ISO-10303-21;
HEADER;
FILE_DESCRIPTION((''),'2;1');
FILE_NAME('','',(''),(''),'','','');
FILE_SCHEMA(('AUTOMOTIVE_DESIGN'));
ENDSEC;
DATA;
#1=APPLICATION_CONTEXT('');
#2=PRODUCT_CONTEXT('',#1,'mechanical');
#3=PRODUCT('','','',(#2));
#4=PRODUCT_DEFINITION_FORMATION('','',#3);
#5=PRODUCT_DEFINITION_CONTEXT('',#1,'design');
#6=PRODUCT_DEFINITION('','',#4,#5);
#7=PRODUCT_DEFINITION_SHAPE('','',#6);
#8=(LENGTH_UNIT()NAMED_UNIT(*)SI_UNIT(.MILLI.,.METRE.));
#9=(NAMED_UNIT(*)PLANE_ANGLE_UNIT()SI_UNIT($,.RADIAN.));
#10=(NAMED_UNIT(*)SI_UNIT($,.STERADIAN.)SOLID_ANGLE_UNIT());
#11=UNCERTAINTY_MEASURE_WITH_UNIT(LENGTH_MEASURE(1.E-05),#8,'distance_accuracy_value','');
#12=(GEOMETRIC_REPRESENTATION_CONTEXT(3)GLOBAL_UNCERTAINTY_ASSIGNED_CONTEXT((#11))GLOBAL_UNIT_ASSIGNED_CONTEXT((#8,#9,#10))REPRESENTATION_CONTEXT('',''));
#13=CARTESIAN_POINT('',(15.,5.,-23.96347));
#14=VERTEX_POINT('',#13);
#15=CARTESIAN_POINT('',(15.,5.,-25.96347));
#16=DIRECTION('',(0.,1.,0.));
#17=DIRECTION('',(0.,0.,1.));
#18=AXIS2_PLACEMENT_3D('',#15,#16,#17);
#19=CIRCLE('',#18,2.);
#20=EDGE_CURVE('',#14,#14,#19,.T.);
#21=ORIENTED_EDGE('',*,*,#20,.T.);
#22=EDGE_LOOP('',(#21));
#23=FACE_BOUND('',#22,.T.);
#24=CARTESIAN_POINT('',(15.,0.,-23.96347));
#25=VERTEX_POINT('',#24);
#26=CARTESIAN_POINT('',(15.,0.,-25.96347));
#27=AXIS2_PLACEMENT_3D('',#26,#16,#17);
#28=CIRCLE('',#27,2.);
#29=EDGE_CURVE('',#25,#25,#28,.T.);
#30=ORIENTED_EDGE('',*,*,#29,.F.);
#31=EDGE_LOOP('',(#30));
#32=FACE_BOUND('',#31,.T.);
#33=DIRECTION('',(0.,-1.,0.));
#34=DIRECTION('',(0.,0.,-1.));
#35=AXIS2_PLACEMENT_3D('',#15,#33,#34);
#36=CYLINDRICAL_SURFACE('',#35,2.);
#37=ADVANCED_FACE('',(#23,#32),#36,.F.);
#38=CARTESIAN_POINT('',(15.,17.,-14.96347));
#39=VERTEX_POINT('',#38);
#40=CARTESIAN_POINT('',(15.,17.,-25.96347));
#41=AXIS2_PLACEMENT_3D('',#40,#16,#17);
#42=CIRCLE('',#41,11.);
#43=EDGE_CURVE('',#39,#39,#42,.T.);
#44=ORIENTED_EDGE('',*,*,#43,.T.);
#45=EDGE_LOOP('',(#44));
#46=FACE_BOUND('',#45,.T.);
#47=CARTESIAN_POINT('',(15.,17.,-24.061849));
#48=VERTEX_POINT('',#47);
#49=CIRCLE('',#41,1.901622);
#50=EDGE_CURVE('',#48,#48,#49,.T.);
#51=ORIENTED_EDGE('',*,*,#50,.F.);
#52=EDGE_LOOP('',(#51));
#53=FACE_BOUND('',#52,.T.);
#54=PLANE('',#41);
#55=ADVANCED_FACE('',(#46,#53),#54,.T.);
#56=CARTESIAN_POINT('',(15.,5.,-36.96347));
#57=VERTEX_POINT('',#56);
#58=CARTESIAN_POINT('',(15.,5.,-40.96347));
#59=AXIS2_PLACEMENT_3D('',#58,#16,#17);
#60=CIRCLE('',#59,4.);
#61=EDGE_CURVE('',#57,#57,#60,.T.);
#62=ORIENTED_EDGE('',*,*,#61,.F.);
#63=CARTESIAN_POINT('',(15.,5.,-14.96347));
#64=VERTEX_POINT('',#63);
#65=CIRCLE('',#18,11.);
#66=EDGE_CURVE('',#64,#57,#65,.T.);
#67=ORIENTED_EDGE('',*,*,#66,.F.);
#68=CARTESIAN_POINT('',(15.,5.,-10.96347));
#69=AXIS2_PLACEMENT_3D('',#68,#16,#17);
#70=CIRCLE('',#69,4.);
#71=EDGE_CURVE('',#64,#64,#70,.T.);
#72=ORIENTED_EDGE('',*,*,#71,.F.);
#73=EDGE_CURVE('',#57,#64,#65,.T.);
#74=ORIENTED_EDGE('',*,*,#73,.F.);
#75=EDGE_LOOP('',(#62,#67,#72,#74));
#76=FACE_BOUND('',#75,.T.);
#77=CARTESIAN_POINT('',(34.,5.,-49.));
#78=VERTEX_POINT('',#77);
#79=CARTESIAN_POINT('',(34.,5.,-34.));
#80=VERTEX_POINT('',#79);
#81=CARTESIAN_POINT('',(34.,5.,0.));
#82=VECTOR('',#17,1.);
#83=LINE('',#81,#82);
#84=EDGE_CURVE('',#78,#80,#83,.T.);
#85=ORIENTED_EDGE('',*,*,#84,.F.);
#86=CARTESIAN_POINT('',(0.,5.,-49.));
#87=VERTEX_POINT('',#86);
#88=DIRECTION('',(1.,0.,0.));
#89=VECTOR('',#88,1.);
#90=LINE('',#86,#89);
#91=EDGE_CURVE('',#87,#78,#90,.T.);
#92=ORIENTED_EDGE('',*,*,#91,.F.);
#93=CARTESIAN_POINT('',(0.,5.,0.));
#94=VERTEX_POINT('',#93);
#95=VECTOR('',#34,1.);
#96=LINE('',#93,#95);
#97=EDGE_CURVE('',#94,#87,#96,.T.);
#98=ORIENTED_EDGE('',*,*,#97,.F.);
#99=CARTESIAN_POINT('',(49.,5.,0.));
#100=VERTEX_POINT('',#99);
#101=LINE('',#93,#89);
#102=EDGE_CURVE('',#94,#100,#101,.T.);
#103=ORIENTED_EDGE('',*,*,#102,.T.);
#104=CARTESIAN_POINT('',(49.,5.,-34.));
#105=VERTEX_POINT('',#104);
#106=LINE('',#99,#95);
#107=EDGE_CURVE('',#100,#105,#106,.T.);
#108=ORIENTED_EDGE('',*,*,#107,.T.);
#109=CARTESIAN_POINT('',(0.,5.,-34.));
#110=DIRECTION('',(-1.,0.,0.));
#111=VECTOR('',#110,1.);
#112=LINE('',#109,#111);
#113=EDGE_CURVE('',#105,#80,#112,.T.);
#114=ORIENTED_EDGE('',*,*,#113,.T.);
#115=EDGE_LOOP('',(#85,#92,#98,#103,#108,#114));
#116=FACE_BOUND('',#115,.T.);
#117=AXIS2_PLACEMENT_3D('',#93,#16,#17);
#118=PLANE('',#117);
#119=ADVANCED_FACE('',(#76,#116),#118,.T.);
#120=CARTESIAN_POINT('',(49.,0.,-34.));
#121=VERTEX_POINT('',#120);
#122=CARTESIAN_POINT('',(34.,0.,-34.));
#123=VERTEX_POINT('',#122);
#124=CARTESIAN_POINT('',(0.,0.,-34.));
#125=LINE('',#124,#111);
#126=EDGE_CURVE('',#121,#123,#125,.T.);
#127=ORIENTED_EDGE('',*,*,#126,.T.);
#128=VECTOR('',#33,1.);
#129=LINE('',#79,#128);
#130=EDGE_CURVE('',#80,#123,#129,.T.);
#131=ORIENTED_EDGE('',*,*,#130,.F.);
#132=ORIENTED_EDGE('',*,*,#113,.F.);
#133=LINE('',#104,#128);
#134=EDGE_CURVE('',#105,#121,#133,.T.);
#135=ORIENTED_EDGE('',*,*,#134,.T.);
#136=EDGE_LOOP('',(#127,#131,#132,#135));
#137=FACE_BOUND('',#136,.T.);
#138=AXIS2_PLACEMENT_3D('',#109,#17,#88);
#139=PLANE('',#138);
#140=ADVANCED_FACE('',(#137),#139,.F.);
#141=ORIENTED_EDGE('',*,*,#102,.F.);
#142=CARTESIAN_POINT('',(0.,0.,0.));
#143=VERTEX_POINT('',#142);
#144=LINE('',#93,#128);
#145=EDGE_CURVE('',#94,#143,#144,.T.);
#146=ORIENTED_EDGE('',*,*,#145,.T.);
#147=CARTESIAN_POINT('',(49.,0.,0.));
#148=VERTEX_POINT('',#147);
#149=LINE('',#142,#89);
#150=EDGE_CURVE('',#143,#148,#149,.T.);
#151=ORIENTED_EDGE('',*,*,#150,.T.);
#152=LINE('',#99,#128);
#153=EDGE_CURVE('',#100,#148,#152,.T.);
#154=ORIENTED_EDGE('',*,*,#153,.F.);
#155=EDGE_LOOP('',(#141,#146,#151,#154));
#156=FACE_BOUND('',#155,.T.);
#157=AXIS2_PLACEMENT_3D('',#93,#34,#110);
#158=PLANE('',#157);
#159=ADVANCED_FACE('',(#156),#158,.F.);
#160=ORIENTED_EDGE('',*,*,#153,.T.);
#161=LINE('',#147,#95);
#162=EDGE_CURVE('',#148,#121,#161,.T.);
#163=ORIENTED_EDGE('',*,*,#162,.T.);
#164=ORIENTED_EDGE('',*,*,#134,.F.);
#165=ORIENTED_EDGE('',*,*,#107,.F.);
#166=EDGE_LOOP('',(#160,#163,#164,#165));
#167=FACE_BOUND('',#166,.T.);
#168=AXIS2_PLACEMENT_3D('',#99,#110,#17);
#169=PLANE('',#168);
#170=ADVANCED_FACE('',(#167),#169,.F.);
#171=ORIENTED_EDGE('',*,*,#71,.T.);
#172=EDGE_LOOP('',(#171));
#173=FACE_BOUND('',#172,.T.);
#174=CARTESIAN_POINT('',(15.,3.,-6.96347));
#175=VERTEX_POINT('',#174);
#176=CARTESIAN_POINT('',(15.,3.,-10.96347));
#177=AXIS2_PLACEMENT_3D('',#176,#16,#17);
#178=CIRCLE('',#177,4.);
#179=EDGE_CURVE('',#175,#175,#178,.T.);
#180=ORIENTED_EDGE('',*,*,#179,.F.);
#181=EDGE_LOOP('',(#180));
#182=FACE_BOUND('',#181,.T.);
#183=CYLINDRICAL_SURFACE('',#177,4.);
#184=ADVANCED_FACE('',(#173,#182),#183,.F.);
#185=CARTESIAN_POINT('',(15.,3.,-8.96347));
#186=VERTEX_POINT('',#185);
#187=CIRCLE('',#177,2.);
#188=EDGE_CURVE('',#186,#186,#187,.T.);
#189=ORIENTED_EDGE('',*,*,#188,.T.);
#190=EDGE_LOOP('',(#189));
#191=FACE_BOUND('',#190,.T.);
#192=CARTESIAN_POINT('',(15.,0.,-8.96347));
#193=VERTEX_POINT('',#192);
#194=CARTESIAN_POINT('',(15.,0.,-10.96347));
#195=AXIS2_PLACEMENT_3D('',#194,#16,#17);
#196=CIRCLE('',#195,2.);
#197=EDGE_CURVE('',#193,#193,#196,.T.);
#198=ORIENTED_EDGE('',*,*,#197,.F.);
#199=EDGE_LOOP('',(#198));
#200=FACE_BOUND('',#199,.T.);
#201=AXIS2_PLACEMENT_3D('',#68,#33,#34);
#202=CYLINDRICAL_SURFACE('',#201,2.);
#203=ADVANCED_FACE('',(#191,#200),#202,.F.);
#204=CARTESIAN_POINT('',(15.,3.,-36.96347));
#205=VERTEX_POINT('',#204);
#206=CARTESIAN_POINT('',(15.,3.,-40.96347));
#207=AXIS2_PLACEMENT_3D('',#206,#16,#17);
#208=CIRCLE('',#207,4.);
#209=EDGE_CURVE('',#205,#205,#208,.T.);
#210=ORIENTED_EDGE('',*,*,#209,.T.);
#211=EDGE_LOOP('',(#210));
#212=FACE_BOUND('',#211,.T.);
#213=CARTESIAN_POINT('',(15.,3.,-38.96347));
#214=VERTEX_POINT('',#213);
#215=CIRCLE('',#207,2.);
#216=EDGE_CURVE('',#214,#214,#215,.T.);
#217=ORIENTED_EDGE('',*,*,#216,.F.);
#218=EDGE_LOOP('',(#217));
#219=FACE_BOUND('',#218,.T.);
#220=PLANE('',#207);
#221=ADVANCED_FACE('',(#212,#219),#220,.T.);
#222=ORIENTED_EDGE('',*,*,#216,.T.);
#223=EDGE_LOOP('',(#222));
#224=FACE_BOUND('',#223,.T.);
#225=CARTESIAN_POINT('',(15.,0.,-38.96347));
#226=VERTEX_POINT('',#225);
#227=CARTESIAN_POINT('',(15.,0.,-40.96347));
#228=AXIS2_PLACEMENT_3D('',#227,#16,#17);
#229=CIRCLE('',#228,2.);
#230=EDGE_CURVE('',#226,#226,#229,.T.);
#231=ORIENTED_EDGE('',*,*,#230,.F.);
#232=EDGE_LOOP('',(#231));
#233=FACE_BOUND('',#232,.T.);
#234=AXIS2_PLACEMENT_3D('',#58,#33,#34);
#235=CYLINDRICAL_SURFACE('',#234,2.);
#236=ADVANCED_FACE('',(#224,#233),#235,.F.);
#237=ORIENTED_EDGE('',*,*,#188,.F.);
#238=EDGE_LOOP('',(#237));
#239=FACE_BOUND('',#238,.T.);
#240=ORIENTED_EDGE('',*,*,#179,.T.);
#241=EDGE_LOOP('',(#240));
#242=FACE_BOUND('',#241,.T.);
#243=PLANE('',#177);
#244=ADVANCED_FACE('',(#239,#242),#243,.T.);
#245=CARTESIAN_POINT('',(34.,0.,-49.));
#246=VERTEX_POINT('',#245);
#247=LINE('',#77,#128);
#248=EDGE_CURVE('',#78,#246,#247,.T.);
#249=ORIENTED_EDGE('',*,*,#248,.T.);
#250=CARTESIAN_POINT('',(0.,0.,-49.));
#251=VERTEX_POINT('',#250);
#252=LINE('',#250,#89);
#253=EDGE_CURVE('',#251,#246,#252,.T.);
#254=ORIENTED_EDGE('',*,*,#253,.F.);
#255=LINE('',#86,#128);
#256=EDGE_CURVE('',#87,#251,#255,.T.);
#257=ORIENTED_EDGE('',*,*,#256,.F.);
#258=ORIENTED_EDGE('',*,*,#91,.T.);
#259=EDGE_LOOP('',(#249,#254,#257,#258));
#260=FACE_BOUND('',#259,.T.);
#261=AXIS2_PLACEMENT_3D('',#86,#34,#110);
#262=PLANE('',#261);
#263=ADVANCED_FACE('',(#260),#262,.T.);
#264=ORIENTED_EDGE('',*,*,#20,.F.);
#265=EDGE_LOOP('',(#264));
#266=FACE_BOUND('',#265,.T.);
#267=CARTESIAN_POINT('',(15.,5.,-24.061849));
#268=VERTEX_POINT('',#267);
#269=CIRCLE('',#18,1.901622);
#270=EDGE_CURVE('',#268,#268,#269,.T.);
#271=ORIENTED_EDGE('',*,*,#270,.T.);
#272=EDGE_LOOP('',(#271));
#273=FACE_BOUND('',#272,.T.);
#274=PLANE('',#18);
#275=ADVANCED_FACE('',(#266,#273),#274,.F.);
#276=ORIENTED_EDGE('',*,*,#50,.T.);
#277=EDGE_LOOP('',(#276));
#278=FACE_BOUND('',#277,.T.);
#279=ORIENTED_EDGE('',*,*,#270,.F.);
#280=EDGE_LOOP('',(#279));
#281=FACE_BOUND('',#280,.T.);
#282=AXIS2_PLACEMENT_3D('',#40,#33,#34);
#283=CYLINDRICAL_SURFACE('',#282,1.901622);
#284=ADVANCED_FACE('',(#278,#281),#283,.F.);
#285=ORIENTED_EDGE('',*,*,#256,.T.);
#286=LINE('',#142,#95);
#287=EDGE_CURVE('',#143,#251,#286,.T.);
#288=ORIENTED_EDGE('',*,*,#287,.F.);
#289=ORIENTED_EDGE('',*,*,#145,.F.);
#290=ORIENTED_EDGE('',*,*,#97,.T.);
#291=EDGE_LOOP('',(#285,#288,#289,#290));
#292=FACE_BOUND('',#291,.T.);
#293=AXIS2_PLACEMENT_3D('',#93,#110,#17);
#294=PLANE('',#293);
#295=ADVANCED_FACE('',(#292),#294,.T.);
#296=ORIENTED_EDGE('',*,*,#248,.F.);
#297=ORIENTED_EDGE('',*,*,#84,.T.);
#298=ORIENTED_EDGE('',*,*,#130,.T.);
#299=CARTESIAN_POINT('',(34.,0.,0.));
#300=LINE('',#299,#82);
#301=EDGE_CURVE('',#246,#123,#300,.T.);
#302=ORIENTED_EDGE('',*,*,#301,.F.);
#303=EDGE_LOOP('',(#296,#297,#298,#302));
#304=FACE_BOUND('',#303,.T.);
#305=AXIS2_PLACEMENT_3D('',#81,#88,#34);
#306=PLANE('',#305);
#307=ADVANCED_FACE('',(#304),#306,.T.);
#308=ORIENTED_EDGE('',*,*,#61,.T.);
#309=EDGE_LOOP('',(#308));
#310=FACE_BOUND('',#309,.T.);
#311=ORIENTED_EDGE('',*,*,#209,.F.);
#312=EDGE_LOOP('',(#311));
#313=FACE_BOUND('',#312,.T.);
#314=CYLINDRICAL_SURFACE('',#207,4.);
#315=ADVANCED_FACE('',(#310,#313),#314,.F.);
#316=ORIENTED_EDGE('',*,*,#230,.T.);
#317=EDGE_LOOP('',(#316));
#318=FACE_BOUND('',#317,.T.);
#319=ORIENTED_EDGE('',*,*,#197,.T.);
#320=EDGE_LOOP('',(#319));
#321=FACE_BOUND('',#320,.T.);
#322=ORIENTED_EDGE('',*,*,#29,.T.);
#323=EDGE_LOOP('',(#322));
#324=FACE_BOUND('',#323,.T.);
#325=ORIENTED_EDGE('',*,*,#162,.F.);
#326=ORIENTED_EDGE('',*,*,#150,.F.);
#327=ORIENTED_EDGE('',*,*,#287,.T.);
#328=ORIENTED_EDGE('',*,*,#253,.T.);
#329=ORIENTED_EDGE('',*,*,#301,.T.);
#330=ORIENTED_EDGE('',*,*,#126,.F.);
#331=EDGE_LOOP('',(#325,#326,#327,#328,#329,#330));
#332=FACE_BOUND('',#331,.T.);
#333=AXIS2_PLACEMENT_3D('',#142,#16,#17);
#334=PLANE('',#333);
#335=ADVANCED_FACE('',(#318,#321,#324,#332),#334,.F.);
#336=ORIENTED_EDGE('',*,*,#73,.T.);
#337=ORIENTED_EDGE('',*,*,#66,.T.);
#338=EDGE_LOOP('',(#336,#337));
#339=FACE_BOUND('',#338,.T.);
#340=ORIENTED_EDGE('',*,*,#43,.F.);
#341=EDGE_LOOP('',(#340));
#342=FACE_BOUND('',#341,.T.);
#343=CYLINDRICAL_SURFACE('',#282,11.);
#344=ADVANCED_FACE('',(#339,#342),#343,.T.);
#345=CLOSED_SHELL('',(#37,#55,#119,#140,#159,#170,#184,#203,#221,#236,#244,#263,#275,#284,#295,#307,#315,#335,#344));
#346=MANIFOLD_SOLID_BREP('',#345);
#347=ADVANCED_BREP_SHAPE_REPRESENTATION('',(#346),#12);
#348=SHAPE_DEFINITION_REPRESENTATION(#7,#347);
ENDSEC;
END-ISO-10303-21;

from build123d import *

# Parameters (mm, degrees)
SKETCH1_R           = 2
BOSS_EXTRUDE1_DEPTH = 5
SKETCH2_R           = 4
CUT_EXTRUDE1_DEPTH  = 2
SKETCH3_R           = 11
SKETCH3_R_2         = 1.901621635
BOSS_EXTRUDE2_DEPTH = 12


with BuildPart() as part:
    # Sketch1 → Boss-Extrude1 (new body)
    with BuildSketch(Plane(origin=(0, 0, 0), x_dir=(1, 0, 0), z_dir=(0, 1, 0))):
        Polygon((0, 49), (0, 0), (49, 0), (49, 34), (34, 34), (34, 49), align=None)
        with Locations((15, 10.96347032)):
            Circle(SKETCH1_R, mode=Mode.SUBTRACT)
        with Locations((15, 25.96347032)):
            Circle(SKETCH1_R, mode=Mode.SUBTRACT)
        with Locations((15, 40.96347032)):
            Circle(SKETCH1_R, mode=Mode.SUBTRACT)
    extrude(amount=BOSS_EXTRUDE1_DEPTH)

    # Sketch2 → Cut-Extrude1 (cut)
    with BuildSketch(Plane(origin=(0, 5, 0), x_dir=(1, 0, 0), z_dir=(0, 1, 0))):
        with Locations((15, 40.96347032)):
            Circle(SKETCH2_R)
        with Locations((15, 10.96347032)):
            Circle(SKETCH2_R)
    extrude(amount=-CUT_EXTRUDE1_DEPTH, mode=Mode.SUBTRACT)

    # Sketch3 → Boss-Extrude2 (add)
    with BuildSketch(Plane(origin=(0, 5, 0), x_dir=(1, 0, 0), z_dir=(0, 1, 0))):
        with Locations((15, 25.96347032)):
            Circle(SKETCH3_R)
        with Locations((15, 25.96347032)):
            Circle(SKETCH3_R_2, mode=Mode.SUBTRACT)
    extrude(amount=BOSS_EXTRUDE2_DEPTH)


solid = part.part
